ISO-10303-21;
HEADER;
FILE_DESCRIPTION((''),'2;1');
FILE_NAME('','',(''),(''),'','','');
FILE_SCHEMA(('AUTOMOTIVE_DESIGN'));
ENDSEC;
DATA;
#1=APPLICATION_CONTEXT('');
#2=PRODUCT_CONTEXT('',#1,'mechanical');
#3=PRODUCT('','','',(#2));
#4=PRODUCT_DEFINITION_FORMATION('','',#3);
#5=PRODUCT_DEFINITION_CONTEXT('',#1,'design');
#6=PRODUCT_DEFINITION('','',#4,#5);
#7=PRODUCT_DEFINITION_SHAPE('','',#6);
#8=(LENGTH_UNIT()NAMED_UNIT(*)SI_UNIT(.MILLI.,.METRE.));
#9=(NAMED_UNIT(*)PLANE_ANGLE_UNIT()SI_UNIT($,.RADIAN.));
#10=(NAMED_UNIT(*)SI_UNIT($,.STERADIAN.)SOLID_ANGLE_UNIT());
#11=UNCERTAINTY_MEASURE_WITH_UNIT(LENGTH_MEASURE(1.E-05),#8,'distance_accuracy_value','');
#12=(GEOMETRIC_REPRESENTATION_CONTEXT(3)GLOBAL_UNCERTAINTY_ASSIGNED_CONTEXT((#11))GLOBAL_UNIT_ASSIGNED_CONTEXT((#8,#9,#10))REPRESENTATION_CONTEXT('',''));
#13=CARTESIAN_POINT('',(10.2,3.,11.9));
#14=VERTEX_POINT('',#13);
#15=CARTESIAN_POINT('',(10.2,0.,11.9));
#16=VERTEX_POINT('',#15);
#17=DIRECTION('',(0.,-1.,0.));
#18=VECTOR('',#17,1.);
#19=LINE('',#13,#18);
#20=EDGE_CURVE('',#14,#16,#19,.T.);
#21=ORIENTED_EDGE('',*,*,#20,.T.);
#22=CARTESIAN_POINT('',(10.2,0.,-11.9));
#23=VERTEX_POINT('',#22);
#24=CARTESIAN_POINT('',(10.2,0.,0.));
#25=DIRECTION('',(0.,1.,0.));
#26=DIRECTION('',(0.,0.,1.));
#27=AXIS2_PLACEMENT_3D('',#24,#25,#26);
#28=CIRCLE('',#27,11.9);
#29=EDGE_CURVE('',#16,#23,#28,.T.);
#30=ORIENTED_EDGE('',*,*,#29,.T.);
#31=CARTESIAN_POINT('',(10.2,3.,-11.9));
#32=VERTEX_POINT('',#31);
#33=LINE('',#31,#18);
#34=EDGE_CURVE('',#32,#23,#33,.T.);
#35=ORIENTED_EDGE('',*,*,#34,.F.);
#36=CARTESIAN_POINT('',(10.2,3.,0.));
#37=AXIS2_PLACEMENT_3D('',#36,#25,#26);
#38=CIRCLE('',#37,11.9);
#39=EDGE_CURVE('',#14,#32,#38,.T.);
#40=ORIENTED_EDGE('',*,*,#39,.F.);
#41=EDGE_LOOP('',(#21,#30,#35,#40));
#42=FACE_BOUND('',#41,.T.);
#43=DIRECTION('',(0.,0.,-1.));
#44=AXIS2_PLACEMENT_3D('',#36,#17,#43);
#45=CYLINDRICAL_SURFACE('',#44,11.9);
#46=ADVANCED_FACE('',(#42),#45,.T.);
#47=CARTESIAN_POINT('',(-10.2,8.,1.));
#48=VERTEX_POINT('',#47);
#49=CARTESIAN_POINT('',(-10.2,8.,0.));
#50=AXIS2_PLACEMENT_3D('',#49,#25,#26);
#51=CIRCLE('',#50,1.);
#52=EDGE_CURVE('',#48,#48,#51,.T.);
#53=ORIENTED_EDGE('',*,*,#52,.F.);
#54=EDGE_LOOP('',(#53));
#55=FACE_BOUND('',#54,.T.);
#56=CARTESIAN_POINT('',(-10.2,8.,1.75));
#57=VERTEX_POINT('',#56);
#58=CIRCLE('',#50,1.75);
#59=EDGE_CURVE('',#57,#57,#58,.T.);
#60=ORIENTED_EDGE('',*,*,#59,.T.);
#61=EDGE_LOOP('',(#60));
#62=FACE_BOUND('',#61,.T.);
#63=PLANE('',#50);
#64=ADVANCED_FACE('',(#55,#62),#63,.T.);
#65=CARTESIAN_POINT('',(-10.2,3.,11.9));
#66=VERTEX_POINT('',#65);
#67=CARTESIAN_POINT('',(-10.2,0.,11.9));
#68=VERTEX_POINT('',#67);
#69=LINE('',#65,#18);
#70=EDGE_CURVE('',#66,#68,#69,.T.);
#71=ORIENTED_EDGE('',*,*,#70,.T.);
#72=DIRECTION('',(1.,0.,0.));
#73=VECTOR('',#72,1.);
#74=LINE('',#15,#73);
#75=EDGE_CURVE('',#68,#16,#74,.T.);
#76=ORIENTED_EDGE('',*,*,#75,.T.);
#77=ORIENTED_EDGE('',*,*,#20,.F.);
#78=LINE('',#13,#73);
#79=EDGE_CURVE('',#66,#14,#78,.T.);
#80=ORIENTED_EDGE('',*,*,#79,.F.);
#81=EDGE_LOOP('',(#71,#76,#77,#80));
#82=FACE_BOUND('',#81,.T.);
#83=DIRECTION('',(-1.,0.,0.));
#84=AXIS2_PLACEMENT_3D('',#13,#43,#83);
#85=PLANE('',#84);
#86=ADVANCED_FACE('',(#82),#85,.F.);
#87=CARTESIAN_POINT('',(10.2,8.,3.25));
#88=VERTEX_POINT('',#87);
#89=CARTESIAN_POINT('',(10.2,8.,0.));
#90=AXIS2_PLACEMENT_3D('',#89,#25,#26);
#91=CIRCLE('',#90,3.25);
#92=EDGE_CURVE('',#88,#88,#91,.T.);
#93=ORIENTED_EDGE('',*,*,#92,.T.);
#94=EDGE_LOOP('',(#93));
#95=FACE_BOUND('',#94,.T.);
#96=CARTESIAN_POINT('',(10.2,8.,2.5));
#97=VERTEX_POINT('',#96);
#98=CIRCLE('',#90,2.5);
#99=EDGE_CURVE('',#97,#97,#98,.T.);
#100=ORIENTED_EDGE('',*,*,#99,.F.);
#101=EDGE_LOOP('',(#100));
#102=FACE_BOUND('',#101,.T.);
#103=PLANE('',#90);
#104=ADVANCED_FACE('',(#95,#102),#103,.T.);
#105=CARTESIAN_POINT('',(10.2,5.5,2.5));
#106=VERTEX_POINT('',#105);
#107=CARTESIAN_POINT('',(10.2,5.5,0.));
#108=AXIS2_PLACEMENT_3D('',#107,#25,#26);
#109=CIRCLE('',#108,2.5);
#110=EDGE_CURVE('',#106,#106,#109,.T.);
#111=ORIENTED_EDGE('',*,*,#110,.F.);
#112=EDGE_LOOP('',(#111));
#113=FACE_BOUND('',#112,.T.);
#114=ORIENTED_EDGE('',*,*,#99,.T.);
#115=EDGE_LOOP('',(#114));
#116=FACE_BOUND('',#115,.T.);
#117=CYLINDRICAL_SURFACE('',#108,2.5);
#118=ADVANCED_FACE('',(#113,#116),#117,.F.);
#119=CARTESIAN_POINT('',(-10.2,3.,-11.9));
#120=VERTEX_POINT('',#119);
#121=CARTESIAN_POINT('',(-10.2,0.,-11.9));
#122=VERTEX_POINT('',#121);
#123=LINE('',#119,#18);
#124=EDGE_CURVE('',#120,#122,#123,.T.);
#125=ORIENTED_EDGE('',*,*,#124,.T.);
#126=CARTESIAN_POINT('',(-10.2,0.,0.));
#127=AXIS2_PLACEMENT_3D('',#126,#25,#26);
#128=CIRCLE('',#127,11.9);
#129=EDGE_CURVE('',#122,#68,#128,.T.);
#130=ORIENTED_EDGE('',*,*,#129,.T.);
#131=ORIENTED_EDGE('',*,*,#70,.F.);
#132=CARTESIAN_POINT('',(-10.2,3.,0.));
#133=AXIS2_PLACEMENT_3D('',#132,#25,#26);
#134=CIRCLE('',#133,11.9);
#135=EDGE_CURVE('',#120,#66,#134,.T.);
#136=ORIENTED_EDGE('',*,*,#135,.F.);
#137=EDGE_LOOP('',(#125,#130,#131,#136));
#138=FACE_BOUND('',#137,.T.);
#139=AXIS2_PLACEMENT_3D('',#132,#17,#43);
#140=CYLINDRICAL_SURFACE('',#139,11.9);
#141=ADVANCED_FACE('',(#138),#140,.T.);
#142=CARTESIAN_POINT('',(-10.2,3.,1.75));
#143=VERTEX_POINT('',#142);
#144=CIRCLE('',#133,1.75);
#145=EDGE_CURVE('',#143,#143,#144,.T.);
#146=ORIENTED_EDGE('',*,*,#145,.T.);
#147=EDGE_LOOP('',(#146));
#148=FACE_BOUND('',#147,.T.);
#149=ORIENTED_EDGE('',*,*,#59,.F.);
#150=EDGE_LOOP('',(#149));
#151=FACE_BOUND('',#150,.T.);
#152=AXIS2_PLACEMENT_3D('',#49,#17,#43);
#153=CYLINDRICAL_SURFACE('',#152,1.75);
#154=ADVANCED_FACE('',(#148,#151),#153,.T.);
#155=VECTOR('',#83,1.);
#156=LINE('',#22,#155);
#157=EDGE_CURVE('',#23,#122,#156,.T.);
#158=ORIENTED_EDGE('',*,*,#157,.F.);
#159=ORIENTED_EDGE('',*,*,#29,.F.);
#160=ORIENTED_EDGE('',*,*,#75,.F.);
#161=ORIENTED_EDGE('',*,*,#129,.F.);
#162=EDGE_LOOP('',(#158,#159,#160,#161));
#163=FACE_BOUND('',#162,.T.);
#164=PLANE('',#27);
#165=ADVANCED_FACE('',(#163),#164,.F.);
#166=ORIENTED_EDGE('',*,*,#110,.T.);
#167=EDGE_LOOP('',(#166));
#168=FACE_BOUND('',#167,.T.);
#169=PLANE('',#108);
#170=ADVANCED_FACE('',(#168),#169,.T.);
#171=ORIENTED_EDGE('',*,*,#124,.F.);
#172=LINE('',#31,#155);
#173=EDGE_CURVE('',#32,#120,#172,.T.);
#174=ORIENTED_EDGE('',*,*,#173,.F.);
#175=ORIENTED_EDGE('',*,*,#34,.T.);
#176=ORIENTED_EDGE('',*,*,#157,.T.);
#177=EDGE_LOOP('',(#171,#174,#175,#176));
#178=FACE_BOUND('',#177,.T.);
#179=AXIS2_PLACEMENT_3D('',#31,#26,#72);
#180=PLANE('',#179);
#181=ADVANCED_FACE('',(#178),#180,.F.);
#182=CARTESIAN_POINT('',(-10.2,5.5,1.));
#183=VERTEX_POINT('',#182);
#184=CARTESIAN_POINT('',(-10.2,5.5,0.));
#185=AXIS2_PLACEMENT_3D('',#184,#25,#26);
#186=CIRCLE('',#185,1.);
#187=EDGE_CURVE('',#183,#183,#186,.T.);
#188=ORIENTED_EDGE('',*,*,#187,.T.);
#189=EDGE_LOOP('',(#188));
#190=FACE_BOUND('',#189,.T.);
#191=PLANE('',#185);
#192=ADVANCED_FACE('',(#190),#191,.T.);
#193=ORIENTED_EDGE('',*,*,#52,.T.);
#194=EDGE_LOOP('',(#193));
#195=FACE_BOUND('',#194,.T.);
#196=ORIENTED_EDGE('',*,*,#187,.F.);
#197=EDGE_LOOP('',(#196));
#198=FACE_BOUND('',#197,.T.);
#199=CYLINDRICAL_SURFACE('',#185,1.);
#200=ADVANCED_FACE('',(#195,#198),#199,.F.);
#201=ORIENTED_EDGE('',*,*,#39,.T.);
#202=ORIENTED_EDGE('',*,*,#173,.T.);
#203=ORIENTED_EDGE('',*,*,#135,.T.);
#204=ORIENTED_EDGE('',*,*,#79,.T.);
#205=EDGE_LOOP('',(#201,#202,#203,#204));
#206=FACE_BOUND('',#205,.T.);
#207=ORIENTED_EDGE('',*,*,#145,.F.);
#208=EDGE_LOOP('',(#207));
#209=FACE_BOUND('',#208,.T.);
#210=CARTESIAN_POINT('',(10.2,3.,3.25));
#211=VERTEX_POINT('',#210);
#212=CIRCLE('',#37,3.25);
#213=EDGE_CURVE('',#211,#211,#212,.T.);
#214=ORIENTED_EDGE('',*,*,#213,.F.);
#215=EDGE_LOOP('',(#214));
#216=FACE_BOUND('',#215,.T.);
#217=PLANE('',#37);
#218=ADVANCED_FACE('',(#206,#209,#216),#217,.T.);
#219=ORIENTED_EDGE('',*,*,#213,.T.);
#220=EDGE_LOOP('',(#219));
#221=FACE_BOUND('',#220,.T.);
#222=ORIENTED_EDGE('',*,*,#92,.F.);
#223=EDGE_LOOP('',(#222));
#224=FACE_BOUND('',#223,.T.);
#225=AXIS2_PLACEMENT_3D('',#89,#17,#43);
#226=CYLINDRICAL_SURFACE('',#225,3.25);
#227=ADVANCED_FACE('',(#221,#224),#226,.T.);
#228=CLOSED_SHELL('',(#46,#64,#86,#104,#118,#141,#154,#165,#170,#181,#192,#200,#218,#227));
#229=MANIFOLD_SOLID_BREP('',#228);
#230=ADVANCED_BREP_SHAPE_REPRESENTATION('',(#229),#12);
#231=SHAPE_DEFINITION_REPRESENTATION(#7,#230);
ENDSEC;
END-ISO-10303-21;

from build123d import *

# Parameters (mm, degrees)
BOSS_EXTRU_1_DEPTH      = 3
ESQUISSE2_R             = 1.75
ESQUISSE2_R_2           = 3.25
BOSS_EXTRU_2_DEPTH      = 5
ESQUISSE3_R             = 1
ESQUISSE3_R_2           = 2.5
ENL_V_MAT_EXTRU_1_DEPTH = 2.5


with BuildPart() as part:
    # Esquisse1 → Boss.-Extru.1 (new body)
    with BuildSketch(Plane(origin=(0, 0, 0), x_dir=(1, 0, 0), z_dir=(0, 1, 0))):
        with BuildLine():
            Line((10.2, -11.9), (-10.2, -11.9))
            ThreePointArc((-10.2, -11.9), (-22.1, 0), (-10.2, 11.9))
            Line((-10.2, 11.9), (10.2, 11.9))
            ThreePointArc((10.2, 11.9), (22.1, 0), (10.2, -11.9))
        make_face()
    extrude(amount=BOSS_EXTRU_1_DEPTH)

    # Esquisse2 → Boss.-Extru.2 (add)
    with BuildSketch(Plane(origin=(0, 3, 0), x_dir=(1, 0, 0), z_dir=(0, 1, 0))):
        with Locations(Location((-10.2, 0, 0), (0, 0, 270))):
            Circle(ESQUISSE2_R)
        with Locations(Location((10.2, 0, 0), (0, 0, 270))):
            Circle(ESQUISSE2_R_2)
    extrude(amount=BOSS_EXTRU_2_DEPTH)

    # Esquisse3 → Enlèv. mat.-Extru.1 (cut)
    with BuildSketch(Plane(origin=(0, 8, 0), x_dir=(1, 0, 0), z_dir=(0, 1, 0))):
        with Locations(Location((-10.2, 0, 0), (0, 0, 270))):
            Circle(ESQUISSE3_R)
        with Locations(Location((10.2, 0, 0), (0, 0, 270))):
            Circle(ESQUISSE3_R_2)
    extrude(amount=-ENL_V_MAT_EXTRU_1_DEPTH, mode=Mode.SUBTRACT)


solid = part.part
